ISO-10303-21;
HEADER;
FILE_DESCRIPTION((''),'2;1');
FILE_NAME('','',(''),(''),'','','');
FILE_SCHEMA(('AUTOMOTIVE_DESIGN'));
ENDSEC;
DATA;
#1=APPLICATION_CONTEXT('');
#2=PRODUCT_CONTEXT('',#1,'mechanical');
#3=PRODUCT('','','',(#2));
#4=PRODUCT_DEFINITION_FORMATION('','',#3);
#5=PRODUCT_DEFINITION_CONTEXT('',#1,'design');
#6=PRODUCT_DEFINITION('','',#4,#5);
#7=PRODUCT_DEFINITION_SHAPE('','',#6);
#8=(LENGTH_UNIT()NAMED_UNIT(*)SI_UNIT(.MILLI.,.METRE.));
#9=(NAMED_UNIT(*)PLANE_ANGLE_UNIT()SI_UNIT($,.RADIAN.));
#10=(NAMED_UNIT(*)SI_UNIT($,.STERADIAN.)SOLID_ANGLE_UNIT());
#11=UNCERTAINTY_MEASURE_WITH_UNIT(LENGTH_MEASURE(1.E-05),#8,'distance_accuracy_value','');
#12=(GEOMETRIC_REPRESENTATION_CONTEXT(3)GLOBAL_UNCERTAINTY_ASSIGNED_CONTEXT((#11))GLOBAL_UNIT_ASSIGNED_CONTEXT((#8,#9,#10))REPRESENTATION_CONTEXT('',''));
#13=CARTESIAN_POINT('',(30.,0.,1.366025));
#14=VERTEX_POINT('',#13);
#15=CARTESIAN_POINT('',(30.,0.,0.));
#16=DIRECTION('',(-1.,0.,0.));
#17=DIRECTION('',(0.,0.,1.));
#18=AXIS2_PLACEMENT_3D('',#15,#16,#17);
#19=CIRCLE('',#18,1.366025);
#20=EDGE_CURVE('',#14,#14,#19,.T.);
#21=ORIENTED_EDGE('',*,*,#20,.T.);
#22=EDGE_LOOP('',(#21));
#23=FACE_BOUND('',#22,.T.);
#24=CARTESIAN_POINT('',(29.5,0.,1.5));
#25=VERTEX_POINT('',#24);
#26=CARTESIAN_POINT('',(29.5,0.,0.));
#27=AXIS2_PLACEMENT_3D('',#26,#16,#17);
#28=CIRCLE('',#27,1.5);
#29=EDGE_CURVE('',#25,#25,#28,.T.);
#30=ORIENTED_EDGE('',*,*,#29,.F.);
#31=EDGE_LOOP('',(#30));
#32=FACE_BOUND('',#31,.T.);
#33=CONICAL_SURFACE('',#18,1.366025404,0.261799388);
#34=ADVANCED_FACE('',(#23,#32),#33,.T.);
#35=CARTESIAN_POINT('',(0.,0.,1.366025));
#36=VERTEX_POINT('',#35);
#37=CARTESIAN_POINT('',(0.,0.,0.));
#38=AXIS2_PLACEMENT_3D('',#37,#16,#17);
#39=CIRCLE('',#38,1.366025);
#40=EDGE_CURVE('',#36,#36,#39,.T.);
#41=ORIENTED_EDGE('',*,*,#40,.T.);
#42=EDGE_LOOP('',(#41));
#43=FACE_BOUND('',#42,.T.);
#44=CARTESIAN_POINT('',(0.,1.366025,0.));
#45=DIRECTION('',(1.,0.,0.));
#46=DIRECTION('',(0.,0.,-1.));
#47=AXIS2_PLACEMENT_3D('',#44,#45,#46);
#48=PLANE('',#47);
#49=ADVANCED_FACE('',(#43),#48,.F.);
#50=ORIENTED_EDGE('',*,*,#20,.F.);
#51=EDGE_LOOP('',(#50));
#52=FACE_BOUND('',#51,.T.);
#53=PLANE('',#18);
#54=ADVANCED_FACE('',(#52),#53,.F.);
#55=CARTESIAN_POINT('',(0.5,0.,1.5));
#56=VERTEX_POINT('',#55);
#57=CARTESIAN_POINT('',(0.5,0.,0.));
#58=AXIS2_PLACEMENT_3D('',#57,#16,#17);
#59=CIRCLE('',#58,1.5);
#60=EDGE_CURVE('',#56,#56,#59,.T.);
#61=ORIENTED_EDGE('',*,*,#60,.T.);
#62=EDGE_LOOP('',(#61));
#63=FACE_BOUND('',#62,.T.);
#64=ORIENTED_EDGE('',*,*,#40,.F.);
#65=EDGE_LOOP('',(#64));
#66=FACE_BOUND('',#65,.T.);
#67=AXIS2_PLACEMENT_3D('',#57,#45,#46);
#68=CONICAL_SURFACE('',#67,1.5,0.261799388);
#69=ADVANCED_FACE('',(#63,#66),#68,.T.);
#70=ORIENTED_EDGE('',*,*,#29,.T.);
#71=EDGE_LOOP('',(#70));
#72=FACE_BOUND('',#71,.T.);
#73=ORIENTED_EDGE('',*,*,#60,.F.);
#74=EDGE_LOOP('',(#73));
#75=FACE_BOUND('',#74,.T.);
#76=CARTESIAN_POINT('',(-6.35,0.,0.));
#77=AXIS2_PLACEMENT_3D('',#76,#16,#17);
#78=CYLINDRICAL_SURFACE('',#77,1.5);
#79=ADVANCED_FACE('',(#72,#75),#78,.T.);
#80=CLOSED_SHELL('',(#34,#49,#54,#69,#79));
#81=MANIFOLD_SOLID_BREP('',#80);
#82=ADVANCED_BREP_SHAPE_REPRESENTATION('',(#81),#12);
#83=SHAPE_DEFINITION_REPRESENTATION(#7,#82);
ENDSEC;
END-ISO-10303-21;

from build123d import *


with BuildPart() as part:
    # Sketch1 → Base-Revolve (revolve)
    with BuildSketch(Plane.XY, mode=Mode.PRIVATE) as base_revolve_sk:
        Polygon((0, 0), (30, 0), (30, 1.366025404), (29.5, 1.5), (0.5, 1.5), (0, 1.366025404), align=None)
    revolve(base_revolve_sk.sketch.rotate(Axis((-6.35, 0, 0), (1, 0, 0)), 90), axis=Axis((-6.35, 0, 0), (1, 0, 0)))


solid = part.part
